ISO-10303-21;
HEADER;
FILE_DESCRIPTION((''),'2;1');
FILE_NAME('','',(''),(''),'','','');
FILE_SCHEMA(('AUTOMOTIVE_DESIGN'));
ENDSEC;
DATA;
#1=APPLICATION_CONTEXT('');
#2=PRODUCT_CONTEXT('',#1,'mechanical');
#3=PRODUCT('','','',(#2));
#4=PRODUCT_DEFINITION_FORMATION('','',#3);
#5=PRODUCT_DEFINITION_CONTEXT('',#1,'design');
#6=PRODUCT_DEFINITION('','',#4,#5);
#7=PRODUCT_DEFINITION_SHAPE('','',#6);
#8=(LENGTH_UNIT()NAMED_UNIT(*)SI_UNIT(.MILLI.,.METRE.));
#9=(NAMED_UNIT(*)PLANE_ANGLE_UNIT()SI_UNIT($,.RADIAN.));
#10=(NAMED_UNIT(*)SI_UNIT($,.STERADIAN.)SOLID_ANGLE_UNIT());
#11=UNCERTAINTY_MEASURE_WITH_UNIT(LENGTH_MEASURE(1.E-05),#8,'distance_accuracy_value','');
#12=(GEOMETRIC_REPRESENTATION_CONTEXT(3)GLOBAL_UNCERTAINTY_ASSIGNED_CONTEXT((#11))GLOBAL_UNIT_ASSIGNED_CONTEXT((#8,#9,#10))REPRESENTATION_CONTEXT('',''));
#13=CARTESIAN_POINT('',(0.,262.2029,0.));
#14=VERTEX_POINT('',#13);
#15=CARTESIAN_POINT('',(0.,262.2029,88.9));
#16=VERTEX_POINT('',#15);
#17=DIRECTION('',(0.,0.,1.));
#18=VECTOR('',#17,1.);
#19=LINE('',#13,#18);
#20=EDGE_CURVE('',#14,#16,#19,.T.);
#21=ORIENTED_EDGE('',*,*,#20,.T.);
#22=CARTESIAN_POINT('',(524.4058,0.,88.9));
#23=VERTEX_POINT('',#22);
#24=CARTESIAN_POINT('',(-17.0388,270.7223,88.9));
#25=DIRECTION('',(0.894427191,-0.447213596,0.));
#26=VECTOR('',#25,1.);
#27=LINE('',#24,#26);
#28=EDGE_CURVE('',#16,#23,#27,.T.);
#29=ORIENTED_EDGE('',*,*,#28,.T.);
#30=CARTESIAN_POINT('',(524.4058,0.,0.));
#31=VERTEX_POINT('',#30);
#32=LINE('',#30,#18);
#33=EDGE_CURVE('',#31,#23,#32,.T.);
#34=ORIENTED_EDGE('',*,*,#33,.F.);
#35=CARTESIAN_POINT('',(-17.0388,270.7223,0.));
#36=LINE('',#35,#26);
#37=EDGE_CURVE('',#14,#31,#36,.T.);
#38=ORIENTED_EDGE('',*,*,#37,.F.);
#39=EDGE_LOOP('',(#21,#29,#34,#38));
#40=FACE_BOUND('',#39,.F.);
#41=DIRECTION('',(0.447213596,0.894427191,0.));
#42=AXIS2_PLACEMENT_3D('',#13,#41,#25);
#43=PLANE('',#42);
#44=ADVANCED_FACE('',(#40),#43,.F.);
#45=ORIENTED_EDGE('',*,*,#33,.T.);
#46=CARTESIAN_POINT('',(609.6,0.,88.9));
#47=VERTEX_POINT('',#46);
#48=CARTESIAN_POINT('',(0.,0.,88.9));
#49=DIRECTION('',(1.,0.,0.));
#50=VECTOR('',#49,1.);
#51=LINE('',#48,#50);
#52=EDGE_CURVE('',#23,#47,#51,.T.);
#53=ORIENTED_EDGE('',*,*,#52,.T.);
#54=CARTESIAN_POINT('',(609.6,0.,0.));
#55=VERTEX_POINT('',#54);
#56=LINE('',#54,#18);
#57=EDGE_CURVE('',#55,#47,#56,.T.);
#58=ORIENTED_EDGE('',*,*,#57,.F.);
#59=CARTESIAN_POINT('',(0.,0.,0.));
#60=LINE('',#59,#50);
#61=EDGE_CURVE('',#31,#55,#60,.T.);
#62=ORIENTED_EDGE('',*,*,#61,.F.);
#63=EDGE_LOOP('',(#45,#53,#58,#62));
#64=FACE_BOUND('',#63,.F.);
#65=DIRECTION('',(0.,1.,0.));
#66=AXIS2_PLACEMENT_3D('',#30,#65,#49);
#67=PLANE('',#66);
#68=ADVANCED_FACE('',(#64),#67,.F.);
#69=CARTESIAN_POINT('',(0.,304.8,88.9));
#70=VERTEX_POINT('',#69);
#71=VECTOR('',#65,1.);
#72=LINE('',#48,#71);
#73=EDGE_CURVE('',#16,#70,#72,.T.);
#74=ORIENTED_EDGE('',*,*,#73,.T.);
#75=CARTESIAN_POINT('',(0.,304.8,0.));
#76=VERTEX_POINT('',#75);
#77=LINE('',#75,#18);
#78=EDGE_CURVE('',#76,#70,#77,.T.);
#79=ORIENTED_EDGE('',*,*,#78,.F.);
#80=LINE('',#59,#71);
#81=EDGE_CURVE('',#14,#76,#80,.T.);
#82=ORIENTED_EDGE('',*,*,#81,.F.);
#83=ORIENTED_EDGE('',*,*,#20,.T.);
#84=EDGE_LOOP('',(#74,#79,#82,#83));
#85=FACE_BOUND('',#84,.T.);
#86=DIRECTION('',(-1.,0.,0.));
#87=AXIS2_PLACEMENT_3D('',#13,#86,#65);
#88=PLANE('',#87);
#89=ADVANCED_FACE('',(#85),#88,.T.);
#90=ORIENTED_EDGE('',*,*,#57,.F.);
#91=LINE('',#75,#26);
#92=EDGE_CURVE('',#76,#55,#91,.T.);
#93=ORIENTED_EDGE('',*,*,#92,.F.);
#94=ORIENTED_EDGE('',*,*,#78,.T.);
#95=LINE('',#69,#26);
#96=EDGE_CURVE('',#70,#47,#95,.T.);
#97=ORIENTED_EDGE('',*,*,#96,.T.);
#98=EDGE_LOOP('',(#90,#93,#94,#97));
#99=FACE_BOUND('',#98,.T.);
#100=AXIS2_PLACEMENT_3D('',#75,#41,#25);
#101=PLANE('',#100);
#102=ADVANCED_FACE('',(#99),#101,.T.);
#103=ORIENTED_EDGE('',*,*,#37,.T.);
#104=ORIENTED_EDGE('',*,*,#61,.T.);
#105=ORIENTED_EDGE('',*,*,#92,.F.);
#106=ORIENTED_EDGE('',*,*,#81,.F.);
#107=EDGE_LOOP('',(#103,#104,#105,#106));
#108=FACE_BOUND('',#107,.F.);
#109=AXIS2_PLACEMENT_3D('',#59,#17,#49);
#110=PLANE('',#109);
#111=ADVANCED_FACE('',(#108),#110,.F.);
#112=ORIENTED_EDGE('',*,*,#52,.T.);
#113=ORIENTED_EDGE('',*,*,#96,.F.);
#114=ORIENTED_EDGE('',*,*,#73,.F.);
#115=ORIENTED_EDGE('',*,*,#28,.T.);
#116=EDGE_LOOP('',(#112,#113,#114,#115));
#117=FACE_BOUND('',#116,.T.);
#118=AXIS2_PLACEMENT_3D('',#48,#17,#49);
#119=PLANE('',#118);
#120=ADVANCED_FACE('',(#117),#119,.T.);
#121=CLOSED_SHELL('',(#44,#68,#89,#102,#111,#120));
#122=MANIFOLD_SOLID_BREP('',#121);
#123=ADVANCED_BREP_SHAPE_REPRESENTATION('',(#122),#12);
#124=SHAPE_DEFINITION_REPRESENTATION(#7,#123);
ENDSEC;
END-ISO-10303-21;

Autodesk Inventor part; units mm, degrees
ref_plane "YZ Plane" through (0, 0, 0) normal (1, 0, 0) x (0, 1, 0)
ref_plane "XZ Plane" through (0, 0, 0) normal (0, 1, 0) x (-1, 0, 0)
ref_plane "XY Plane" through (0, 0, 0) normal (0, 0, 1) x (1, 0, 0)
sketch "Sketch1" plane through (0, 0, 0) normal (0, 0, 1) x (1, 0, 0)
  line L0 (0, 0) -> (0, 304.8)
  line L1 (0, 0) -> (609.6, 0)
  line L2 (0, 304.8) -> (609.6, 0)
  line L3 (609.6, 0) -> (592.5612, -34.0777)
  line L4 (0, 304.8) -> (-17.0388, 270.7223)
  line L5 (-17.0388, 270.7223) -> (592.5612, -34.0777)
  point P0 (0, 262.2029)
  point P1 (524.4058, 0)
  dimension "d1" = 304.8
  dimension "d2" = 609.6
  dimension "d3" = 38.1
  dimension "d4" = 38.1
  dimension "d5" = 90
extrude "Extrusion1" add sketch "Sketch1" along normal blind 88.9 contours L0 L2 L1 L5
properties part number "S2_2x4x26.833"
